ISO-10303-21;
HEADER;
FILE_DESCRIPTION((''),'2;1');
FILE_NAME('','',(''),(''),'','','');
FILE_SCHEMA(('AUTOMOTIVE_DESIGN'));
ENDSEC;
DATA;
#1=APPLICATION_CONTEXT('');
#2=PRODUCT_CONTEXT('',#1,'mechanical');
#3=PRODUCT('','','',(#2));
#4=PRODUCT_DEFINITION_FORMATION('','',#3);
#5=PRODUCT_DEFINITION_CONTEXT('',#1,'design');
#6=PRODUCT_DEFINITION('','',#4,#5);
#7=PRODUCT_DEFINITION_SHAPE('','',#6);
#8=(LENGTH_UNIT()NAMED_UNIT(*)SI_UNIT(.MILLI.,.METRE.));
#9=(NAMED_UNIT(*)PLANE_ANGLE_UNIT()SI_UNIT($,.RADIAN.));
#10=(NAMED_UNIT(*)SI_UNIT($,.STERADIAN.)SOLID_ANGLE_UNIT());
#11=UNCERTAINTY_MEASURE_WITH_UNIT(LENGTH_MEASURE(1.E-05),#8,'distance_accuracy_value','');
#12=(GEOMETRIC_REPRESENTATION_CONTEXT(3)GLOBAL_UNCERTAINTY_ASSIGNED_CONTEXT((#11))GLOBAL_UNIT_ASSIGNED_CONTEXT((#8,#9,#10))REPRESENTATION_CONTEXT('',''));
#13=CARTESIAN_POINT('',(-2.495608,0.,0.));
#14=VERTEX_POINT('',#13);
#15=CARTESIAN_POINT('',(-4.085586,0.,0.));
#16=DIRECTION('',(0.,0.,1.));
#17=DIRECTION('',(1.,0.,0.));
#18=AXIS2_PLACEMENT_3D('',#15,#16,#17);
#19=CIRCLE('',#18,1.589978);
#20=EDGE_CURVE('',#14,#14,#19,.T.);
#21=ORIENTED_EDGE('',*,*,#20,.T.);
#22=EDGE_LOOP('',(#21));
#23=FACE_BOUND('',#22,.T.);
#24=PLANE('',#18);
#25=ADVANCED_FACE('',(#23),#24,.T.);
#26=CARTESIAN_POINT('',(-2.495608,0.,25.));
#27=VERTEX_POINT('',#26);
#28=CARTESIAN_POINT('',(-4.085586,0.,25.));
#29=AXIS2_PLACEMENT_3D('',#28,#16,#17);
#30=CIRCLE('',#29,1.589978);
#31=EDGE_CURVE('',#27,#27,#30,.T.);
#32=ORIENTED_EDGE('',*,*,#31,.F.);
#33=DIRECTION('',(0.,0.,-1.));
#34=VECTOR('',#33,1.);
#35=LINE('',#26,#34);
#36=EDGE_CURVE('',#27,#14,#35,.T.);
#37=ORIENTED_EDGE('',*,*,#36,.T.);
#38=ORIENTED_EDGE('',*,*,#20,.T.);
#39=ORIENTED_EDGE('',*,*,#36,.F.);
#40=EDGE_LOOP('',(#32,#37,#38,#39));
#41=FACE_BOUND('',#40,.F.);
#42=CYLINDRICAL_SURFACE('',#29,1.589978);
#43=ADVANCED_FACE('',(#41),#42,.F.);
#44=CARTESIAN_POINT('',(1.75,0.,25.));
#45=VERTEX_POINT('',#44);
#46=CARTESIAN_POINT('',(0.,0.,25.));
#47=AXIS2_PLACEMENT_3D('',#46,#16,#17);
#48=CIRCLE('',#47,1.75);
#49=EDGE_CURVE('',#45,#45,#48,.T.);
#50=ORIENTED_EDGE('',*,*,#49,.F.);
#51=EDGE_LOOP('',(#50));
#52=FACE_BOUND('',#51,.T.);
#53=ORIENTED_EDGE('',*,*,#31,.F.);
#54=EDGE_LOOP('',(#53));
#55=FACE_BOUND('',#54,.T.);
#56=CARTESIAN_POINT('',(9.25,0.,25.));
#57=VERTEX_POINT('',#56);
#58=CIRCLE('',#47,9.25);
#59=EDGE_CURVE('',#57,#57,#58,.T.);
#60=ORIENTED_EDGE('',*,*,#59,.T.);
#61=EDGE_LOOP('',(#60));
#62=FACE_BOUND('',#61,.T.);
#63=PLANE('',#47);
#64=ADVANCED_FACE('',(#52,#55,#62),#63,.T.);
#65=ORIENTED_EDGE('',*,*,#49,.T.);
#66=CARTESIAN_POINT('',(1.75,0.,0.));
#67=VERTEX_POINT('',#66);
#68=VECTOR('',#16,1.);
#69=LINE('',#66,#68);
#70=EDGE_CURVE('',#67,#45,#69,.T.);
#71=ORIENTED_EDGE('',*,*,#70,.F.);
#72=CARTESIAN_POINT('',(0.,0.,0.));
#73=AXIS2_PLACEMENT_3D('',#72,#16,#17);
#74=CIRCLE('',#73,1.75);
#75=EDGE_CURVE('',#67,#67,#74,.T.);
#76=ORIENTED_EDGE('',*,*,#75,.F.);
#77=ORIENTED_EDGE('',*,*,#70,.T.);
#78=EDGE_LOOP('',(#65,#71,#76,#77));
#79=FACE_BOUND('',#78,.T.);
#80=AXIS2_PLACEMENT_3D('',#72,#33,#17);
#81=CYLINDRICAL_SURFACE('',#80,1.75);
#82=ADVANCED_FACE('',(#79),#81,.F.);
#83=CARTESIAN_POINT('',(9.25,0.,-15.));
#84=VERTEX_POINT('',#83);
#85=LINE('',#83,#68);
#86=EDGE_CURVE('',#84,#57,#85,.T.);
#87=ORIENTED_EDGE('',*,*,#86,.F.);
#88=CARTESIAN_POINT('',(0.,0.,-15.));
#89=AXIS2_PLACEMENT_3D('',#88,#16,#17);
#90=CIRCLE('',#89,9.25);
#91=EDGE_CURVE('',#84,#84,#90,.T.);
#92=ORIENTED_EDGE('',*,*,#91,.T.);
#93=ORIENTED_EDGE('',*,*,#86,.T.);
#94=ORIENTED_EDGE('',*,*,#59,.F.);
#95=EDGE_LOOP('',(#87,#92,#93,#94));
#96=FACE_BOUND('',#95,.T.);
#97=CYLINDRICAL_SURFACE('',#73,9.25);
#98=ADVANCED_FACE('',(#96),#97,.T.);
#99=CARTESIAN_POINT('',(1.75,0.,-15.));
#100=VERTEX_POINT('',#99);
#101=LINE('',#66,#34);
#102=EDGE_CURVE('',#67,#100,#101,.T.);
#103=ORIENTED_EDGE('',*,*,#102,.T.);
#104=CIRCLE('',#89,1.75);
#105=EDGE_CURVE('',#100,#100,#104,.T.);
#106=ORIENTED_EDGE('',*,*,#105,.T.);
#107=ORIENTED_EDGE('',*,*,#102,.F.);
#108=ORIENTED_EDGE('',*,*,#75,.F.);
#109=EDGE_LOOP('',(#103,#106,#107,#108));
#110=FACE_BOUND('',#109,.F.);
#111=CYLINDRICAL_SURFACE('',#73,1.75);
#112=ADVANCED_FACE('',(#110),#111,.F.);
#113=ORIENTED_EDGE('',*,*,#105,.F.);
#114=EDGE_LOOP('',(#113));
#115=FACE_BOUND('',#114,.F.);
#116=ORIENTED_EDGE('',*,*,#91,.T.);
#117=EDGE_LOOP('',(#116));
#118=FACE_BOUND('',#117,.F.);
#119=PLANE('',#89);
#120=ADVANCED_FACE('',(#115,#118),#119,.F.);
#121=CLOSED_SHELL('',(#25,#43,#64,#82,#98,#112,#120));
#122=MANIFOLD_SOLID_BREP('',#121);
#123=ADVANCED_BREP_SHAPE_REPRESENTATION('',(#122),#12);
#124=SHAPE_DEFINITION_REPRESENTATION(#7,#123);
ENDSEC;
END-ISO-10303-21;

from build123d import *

# Parameters (mm, degrees)
F0_R     = 9.25
F0_R_2   = 1.75
F1_DEPTH = 25
F2_DEPTH = 15
F4_R     = 1.5899779652
F5_DEPTH = 25


with BuildPart() as f1:
    # F0 (on Top) → F1 (new body)
    with BuildSketch(Plane.XY):
        Circle(F0_R)
        Circle(F0_R_2, mode=Mode.SUBTRACT)
    extrude(amount=F1_DEPTH)

    # F2 (add): a face of the model
    f2_faces = [f1.faces().sort_by_distance(p)[0] for p in [
        (-8.988370491, 0, 0),
    ]]
    extrude(f2_faces, amount=F2_DEPTH)

    # F4 (on face) → F5 (cut)
    with BuildSketch(Plane.XY.offset(25)):
        with Locations((-4.0855864063, 0)):
            Circle(F4_R)
    extrude(amount=-F5_DEPTH, mode=Mode.SUBTRACT)


solid = f1.part
